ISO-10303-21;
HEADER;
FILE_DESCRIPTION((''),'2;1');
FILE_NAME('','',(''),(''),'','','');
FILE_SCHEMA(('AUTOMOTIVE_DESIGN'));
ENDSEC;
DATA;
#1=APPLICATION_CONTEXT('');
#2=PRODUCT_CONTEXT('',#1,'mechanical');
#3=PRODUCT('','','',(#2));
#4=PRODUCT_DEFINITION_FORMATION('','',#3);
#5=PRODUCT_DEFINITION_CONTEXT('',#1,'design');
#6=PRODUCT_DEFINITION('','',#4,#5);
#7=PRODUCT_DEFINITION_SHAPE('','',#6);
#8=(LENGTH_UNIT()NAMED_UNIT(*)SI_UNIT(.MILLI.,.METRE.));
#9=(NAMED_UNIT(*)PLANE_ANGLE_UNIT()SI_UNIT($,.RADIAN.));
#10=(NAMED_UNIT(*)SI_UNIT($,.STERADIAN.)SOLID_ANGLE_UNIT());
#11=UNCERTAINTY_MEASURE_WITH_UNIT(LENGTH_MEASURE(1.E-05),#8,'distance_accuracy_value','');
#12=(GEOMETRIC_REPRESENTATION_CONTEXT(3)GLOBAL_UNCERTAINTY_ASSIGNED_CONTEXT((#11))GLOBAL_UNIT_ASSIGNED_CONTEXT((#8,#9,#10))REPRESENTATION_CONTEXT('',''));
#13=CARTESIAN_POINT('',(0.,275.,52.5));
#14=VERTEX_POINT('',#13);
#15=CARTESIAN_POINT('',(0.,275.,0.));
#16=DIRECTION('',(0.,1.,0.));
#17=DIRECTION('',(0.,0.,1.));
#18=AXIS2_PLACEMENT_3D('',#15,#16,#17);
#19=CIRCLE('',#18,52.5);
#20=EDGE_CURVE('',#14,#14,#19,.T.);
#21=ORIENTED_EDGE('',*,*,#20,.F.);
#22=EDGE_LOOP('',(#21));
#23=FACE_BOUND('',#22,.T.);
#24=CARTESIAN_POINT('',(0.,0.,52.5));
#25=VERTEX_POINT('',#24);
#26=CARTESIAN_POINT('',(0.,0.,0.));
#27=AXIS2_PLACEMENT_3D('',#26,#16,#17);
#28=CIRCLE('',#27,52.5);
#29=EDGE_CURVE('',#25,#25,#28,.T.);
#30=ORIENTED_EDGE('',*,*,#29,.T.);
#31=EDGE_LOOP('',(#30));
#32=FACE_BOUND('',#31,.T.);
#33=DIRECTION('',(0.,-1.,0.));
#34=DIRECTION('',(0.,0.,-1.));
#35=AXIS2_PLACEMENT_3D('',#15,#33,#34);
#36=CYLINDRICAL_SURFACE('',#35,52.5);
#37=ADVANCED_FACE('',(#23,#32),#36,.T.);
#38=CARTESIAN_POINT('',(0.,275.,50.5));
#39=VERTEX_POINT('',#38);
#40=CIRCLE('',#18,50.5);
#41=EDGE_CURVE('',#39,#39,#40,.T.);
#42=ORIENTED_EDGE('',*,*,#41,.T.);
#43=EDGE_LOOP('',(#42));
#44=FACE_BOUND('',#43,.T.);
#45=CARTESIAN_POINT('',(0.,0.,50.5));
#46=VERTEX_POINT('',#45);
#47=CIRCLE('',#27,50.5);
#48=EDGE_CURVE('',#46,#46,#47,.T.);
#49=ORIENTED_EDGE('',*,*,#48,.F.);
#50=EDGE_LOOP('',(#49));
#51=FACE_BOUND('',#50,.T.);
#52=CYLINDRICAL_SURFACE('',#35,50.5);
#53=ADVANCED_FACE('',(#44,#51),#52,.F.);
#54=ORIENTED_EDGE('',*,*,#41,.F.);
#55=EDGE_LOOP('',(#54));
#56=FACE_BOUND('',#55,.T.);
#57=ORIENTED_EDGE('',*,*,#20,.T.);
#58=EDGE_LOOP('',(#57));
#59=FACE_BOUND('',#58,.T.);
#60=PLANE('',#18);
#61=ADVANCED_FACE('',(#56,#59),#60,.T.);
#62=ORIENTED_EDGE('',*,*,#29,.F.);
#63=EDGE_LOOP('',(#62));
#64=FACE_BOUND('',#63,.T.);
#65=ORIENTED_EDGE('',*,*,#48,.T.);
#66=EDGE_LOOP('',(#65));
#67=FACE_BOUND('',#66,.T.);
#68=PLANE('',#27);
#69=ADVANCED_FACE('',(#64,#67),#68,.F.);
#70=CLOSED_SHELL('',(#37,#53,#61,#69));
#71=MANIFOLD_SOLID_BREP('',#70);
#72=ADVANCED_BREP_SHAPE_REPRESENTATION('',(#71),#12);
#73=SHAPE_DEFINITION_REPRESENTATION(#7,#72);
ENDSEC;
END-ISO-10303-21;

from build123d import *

# Parameters (mm, degrees)
SKETCH_1_R      = 52.5
SKETCH_1_R_2    = 50.5
EXTRUDE_1_DEPTH = 275


with BuildPart() as part:
    # Эскиз1 → Бобышка-Вытянуть1 (new body)
    with BuildSketch(Plane(origin=(0, 0, 0), x_dir=(1, 0, 0), z_dir=(0, 1, 0))):
        with Locations(Location((0, 0, 0), (0, 0, 270))):
            Circle(SKETCH_1_R)
        with Locations(Location((0, 0, 0), (0, 0, 270))):
            Circle(SKETCH_1_R_2, mode=Mode.SUBTRACT)
    extrude(amount=EXTRUDE_1_DEPTH)


solid = part.part
